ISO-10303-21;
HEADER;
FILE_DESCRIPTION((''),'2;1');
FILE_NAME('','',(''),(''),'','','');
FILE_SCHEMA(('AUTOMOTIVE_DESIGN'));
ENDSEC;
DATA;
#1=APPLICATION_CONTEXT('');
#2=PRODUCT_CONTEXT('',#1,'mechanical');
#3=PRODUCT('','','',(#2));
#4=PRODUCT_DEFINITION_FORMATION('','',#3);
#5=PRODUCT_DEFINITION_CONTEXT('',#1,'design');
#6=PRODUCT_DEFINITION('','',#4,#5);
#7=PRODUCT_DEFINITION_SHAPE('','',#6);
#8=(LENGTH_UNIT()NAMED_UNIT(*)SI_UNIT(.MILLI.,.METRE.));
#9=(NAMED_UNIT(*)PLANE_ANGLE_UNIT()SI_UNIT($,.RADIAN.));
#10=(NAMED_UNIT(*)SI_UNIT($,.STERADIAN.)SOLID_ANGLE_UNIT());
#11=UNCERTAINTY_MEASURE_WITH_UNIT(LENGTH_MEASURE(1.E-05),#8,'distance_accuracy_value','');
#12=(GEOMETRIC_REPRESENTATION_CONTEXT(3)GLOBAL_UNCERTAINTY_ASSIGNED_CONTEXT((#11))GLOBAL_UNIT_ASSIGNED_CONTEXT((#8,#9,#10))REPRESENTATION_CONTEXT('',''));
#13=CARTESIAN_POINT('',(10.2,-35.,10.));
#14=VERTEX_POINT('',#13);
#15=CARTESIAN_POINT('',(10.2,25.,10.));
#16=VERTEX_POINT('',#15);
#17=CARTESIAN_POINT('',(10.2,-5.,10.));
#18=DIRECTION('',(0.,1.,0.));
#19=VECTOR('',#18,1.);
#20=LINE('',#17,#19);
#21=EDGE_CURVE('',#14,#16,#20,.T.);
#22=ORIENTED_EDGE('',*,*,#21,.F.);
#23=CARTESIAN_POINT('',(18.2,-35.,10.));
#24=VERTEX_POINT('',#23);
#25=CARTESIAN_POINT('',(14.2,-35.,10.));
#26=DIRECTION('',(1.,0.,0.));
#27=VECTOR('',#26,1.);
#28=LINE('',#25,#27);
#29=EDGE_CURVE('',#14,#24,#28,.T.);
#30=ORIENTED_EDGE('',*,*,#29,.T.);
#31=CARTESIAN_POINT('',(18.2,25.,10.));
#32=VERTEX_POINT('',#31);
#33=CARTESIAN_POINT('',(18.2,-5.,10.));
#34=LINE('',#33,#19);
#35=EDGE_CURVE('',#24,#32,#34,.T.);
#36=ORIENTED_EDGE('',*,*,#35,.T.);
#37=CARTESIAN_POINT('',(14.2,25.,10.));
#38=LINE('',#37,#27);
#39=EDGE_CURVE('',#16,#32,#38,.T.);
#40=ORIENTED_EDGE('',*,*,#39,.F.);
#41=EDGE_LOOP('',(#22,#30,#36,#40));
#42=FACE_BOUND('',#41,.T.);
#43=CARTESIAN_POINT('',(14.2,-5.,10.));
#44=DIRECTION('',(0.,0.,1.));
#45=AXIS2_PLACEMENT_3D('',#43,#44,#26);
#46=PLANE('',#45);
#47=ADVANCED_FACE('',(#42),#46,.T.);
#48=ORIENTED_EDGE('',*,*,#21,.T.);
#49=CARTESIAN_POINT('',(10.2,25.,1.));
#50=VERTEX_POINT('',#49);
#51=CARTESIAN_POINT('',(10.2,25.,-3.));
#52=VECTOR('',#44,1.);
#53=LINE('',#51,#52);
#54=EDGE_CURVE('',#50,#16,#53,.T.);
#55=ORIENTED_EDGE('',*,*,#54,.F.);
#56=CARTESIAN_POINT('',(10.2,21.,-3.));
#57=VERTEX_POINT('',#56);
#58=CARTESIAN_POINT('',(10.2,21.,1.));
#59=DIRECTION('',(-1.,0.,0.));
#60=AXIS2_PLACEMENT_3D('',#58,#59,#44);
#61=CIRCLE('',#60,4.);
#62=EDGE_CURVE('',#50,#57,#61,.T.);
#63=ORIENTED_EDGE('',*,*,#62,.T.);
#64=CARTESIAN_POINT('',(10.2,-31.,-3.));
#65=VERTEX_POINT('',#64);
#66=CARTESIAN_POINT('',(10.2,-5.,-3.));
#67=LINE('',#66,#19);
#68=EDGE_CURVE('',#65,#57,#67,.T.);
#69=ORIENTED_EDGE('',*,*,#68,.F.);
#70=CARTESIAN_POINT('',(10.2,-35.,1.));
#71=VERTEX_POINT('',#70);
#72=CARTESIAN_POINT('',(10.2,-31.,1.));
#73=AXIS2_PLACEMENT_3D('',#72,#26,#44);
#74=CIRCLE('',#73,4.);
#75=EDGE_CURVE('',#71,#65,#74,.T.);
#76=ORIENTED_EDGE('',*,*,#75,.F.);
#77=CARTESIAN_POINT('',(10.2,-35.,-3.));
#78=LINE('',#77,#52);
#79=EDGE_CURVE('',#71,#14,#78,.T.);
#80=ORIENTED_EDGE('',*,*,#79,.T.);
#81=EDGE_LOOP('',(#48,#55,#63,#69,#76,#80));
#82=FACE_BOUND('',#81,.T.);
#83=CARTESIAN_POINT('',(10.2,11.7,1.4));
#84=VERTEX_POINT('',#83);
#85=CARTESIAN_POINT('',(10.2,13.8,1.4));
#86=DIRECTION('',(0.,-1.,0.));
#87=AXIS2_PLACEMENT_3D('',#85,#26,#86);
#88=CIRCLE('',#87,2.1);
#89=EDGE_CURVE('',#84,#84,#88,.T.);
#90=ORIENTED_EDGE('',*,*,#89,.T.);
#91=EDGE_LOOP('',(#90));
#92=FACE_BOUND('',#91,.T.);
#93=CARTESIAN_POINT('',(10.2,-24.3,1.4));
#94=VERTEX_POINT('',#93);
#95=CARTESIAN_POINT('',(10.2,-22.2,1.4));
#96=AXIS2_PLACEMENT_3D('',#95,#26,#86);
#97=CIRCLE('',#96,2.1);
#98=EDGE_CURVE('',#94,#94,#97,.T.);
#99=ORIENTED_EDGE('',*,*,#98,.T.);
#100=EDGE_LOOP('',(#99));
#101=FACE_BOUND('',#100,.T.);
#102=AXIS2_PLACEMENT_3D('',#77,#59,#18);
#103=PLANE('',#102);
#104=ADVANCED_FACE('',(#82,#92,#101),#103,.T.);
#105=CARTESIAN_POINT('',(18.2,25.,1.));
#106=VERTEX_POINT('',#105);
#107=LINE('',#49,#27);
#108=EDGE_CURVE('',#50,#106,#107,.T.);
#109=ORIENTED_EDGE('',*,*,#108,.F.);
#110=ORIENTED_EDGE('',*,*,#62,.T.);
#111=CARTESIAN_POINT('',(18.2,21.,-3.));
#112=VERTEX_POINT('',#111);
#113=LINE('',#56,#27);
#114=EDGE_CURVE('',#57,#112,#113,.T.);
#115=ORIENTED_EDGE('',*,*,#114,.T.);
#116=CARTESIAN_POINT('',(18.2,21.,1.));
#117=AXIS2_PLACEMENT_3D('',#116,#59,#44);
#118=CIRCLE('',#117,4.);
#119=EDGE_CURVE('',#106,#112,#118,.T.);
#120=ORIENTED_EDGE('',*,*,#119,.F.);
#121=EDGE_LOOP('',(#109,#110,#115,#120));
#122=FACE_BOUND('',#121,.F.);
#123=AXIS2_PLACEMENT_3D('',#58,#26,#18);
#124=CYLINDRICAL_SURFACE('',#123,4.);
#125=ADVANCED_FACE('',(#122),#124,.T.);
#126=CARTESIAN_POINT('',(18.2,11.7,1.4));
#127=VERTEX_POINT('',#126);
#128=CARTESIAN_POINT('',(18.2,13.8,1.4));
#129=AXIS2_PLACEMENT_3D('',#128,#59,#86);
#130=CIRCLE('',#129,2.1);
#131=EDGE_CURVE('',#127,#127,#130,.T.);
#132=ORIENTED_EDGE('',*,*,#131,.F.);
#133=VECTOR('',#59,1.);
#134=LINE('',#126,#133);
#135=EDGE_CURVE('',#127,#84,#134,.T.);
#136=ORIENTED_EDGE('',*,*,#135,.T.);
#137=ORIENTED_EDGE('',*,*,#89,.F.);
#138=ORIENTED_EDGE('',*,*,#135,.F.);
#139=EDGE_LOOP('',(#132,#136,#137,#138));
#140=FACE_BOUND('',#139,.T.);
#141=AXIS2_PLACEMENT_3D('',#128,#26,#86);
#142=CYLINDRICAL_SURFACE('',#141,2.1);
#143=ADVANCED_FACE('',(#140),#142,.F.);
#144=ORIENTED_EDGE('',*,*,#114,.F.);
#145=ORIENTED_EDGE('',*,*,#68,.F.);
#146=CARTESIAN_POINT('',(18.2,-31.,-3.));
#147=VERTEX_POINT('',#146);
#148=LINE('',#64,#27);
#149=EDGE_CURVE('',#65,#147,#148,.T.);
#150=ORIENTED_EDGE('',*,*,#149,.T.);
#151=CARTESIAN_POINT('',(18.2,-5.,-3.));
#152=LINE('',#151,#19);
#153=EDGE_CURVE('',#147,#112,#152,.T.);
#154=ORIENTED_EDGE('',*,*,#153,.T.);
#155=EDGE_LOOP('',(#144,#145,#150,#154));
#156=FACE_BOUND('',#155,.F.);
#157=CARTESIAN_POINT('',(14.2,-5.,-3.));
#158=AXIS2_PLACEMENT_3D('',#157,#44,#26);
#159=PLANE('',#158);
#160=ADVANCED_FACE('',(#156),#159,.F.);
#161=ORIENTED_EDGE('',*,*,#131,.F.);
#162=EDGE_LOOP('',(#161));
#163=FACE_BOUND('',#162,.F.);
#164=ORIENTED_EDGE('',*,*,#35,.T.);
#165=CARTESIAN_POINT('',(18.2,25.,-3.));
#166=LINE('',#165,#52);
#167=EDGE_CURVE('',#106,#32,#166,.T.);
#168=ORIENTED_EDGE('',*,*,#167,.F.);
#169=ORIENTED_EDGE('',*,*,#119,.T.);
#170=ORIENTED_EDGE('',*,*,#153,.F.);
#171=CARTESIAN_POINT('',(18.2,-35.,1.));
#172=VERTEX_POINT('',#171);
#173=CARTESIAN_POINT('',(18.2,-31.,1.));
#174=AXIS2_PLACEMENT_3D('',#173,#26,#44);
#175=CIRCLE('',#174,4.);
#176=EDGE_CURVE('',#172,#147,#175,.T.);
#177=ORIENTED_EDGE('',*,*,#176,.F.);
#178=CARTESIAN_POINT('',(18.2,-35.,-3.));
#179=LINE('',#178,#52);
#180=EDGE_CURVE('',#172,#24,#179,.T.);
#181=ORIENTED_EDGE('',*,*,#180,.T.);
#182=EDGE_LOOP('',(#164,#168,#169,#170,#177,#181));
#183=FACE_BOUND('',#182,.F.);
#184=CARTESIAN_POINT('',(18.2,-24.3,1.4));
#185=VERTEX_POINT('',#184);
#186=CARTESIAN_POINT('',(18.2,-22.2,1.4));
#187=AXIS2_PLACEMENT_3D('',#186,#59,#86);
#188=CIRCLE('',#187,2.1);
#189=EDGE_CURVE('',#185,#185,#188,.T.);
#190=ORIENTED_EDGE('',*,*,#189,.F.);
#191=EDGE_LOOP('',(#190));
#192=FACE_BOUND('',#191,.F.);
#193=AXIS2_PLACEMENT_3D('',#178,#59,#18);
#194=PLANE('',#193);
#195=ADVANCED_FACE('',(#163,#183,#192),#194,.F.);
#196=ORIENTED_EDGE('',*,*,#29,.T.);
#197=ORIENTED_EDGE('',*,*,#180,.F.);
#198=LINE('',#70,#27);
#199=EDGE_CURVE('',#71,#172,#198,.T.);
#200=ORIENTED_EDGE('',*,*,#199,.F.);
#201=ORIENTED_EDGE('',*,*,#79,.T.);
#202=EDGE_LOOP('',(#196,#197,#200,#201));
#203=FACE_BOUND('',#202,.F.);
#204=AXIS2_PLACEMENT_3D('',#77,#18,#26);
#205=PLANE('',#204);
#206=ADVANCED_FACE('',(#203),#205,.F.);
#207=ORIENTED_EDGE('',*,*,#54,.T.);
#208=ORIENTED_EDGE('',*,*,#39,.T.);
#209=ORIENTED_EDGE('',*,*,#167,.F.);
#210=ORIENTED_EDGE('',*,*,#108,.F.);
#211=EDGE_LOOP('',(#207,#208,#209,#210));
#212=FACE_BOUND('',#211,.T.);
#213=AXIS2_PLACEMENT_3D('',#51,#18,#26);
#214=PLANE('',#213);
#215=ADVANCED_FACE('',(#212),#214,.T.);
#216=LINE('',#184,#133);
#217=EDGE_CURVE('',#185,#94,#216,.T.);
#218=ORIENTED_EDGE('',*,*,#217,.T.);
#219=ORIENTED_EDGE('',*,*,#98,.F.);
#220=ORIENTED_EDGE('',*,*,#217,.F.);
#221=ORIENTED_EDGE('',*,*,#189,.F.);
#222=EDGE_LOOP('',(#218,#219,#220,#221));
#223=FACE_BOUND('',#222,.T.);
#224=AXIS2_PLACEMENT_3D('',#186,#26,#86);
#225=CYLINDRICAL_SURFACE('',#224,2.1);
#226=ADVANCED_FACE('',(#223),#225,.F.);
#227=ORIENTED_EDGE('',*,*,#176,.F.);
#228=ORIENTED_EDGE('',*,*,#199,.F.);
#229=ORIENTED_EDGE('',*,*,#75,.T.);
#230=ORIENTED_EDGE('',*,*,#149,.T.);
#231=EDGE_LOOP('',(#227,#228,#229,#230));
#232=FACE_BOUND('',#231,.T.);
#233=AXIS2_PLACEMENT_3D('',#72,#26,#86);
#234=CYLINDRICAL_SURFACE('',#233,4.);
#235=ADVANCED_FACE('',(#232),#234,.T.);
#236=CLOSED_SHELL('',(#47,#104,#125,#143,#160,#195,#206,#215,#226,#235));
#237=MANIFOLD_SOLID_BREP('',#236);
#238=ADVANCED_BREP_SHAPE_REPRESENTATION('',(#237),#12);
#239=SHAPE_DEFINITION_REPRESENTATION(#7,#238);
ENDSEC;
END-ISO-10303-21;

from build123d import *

# Parameters (mm, degrees)
SKETCH005_R      = 2.1
EXTRUDE004_DEPTH = 10
BOX011_W         = 8
BOX011_H         = 60
BOX011_DEPTH     = 13
FILLET007_R      = 4


with BuildPart() as cs_cooling_schroud_hole_extrude:
    # Sketch005 (on Face2 of Box011) → Extrude004 (new body)
    with BuildSketch(Plane(origin=(18.2, 17.6, -2.4), x_dir=(0, -1, 0), z_dir=(-1, 0, 0))):
        with Locations((3.8, 3.8)):
            Circle(SKETCH005_R)
        with Locations((39.8, 3.8)):
            Circle(SKETCH005_R)
    extrude(amount=EXTRUDE004_DEPTH)


with BuildPart() as cs_attachment_block:
    # Box011 → Box011 (new body)
    with BuildSketch(Plane(origin=(10.2, -35, -3), x_dir=(1, 0, 0), z_dir=(0, 0, 1))):
        with Locations((4, 30)):
            Rectangle(BOX011_W, BOX011_H)
    extrude(amount=BOX011_DEPTH)

    # Fillet007
    fillet007_edges = [cs_attachment_block.edges().sort_by_distance(p)[0] for p in [
        (14.2, -35, -3),
        (14.2, 25, -3),
    ]]
    fillet(fillet007_edges, radius=FILLET007_R)

    # Cut006: cut cs cooling schroud hole extrude
    add(cs_cooling_schroud_hole_extrude.part, mode=Mode.SUBTRACT)


solid = cs_attachment_block.part
